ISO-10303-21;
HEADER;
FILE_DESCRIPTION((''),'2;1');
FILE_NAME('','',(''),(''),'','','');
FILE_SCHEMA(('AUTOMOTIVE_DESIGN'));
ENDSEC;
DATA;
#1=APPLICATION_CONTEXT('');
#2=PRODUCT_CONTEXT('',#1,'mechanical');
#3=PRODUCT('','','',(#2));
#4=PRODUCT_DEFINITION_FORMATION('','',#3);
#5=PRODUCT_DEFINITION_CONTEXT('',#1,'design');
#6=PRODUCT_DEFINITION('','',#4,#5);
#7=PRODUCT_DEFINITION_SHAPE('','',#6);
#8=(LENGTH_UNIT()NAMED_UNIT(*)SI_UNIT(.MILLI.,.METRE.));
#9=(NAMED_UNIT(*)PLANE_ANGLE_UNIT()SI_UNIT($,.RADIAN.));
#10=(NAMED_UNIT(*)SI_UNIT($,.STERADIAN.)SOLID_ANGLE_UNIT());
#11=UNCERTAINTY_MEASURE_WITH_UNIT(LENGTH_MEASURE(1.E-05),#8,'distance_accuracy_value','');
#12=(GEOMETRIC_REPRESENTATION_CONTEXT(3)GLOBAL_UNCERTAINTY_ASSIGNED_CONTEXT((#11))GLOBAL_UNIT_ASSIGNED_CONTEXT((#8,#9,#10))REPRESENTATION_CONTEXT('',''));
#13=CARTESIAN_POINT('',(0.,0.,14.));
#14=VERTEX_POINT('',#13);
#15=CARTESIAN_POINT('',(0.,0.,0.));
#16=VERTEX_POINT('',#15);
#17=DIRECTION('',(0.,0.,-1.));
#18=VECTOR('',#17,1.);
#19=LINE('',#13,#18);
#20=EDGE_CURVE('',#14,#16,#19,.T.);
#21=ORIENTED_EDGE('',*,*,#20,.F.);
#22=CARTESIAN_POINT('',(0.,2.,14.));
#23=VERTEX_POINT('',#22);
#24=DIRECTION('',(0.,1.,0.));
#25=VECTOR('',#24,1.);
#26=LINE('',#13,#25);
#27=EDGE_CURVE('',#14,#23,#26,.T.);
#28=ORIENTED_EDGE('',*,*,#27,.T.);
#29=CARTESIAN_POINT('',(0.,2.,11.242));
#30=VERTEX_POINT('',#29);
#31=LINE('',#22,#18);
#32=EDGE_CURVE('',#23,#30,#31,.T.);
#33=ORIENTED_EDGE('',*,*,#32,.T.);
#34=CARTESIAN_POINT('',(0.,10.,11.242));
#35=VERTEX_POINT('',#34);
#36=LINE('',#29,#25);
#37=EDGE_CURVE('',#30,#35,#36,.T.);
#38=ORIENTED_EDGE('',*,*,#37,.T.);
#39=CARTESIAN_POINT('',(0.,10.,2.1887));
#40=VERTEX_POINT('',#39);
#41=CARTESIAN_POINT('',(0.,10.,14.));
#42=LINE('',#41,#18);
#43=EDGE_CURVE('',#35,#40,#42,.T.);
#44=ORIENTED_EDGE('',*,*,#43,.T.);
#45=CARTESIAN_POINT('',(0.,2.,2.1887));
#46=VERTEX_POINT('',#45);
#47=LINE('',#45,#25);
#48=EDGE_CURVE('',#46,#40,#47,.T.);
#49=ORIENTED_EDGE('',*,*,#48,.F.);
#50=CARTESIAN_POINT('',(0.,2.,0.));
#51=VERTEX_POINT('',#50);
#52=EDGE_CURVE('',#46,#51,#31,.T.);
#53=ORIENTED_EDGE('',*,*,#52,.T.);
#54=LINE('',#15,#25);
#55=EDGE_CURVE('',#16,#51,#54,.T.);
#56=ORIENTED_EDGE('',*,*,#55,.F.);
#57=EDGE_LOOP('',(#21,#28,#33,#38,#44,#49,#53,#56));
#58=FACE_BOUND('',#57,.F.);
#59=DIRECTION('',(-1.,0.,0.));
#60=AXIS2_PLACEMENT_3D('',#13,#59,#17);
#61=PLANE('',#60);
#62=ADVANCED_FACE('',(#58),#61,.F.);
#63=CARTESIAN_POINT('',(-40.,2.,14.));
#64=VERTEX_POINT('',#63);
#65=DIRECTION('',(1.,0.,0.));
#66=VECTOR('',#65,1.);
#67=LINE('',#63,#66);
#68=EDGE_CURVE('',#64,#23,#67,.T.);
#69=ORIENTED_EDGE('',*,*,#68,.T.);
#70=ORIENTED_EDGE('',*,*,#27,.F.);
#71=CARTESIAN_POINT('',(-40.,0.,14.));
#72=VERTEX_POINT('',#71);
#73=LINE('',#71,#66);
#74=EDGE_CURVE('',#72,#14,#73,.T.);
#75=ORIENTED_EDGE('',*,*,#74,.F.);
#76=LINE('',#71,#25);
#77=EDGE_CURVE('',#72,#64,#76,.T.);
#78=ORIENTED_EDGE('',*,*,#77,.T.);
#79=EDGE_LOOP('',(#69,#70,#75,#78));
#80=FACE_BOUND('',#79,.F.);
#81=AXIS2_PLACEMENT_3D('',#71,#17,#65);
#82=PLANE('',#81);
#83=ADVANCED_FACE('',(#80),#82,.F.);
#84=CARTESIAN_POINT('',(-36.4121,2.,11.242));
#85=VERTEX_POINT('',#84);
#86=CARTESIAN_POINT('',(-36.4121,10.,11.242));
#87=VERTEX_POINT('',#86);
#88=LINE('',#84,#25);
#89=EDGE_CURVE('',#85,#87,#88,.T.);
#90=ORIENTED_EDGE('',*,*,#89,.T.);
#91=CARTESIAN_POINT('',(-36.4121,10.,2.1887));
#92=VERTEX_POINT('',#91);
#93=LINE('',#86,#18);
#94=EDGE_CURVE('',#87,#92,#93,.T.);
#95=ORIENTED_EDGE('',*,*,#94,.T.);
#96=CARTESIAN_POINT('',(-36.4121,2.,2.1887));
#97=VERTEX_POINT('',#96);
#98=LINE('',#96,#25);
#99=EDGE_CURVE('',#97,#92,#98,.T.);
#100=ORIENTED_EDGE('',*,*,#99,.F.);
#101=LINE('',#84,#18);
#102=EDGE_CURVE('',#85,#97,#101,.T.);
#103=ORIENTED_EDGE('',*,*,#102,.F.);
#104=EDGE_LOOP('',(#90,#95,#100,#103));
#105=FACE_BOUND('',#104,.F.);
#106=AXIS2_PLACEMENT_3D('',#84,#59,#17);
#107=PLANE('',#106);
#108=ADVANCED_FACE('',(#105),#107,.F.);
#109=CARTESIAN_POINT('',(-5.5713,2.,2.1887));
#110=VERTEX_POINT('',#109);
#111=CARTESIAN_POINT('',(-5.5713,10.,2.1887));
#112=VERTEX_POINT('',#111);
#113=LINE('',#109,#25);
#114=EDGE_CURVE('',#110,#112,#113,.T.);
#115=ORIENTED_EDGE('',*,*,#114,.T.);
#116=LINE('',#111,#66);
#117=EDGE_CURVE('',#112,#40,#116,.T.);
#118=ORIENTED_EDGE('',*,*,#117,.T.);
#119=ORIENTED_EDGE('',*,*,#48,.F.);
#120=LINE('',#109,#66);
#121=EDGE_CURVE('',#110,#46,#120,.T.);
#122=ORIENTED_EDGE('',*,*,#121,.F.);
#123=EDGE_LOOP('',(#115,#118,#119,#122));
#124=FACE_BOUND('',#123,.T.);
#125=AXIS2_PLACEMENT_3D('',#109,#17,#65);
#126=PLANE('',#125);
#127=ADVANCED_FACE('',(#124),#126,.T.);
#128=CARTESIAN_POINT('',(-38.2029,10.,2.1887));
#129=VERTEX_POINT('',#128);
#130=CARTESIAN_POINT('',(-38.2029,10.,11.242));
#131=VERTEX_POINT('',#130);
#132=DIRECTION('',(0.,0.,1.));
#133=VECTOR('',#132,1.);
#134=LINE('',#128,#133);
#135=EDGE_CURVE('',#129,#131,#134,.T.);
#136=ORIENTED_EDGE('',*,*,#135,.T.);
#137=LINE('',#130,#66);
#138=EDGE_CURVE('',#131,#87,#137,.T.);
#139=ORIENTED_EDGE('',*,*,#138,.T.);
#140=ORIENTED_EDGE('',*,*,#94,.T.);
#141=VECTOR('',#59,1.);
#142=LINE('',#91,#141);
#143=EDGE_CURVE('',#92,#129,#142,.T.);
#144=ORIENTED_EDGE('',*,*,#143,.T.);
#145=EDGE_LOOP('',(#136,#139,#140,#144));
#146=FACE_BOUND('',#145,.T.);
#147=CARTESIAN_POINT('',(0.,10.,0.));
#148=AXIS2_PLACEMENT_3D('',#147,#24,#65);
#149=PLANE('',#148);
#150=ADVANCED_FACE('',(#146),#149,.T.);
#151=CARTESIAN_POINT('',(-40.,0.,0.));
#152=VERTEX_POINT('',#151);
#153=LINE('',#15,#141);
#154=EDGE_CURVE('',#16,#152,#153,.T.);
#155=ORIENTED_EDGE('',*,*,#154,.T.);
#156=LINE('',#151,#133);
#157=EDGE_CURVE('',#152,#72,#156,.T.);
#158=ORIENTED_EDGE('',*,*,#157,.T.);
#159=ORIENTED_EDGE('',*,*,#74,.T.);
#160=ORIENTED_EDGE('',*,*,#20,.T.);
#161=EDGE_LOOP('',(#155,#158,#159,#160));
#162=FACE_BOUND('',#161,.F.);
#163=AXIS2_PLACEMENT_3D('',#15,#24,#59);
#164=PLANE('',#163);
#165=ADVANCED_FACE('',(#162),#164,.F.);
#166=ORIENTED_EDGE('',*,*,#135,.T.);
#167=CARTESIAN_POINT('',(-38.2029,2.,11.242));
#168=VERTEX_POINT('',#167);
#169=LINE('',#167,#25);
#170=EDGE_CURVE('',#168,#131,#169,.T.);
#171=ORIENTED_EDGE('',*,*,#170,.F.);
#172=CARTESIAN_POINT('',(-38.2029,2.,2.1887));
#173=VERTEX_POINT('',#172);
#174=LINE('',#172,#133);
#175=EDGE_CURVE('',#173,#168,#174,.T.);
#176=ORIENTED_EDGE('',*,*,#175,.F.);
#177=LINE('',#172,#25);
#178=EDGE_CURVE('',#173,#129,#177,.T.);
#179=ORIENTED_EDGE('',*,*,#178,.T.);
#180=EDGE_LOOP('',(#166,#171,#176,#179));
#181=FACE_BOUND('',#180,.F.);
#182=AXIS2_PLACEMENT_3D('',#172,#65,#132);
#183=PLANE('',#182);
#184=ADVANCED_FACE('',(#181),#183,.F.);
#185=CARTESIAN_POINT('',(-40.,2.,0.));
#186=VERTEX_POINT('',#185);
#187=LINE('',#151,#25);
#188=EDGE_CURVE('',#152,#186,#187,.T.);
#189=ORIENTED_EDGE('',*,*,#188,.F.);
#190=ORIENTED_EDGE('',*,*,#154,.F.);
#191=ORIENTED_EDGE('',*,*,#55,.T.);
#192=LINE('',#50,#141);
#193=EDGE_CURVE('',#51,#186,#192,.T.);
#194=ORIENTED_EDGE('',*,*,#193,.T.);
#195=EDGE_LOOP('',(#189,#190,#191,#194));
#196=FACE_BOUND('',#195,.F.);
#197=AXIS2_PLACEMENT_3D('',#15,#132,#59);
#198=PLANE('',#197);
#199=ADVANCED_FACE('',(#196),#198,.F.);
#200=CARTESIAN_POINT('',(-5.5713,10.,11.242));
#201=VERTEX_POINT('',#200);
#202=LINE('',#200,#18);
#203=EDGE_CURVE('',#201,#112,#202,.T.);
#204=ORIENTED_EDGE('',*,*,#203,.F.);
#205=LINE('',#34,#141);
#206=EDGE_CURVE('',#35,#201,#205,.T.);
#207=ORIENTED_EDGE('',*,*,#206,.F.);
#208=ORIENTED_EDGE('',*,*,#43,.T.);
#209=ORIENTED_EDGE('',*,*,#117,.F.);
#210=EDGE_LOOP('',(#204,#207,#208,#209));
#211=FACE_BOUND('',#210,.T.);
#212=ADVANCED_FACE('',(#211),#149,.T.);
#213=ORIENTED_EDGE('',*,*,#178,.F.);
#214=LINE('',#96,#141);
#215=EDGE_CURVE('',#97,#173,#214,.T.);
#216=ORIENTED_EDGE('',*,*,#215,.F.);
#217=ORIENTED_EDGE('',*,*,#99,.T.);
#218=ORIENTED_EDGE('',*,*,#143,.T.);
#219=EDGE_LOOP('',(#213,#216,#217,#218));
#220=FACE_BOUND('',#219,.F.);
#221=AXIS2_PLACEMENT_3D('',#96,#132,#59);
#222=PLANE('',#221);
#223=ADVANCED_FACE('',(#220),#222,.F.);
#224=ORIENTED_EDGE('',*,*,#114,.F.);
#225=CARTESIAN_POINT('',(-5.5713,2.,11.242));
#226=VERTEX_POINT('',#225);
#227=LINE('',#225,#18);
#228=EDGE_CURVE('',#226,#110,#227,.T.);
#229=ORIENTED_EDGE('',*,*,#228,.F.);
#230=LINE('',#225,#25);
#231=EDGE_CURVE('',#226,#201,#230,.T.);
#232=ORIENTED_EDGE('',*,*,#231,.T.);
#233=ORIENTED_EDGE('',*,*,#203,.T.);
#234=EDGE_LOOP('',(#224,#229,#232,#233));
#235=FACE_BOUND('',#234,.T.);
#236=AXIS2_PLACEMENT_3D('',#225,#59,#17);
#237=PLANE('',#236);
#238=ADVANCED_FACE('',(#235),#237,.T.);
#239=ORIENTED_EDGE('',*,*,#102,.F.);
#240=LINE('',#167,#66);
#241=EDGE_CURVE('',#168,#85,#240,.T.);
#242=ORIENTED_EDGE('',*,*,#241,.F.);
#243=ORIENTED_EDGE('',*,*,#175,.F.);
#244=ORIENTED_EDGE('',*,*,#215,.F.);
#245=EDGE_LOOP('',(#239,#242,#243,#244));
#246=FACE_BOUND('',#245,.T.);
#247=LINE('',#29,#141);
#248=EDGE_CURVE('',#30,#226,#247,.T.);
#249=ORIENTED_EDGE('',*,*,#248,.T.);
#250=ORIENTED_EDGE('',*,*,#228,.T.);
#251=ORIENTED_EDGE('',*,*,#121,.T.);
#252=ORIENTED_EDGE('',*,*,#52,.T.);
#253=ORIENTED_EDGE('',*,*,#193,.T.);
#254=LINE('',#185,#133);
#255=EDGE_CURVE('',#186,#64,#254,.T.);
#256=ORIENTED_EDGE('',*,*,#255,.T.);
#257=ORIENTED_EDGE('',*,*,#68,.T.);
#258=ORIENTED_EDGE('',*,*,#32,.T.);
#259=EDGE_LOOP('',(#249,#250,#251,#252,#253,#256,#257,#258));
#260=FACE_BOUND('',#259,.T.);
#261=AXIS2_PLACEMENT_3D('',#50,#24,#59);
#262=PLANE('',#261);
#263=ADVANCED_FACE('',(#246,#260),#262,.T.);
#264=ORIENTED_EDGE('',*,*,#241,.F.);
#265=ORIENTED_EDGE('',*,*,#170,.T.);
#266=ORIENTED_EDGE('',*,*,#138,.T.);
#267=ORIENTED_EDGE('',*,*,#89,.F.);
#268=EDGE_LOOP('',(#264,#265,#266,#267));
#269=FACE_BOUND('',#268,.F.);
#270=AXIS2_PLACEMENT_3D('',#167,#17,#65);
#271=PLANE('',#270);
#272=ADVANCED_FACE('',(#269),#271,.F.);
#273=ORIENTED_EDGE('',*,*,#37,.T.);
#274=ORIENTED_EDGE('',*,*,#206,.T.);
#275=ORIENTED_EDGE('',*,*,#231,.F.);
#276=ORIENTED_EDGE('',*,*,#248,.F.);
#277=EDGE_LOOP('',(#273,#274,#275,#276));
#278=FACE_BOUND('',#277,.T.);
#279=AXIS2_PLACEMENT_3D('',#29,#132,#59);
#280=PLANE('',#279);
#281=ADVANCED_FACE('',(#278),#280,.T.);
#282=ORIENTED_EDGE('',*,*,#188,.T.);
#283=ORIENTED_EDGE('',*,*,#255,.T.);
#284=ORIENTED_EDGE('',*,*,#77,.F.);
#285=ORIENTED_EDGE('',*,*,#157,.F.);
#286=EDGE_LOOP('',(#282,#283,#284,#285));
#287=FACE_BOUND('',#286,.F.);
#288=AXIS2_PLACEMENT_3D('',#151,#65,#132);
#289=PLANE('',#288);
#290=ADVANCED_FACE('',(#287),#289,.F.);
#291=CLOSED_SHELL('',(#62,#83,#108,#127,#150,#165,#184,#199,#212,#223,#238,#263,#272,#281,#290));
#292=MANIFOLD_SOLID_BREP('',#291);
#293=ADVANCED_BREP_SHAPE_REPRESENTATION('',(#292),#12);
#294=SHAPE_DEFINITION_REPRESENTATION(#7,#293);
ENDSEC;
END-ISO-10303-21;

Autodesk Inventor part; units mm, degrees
ref_plane "YZ Plane" through (0, 0, 0) normal (1, 0, 0) x (0, 1, 0)
ref_plane "XZ Plane" through (0, 0, 0) normal (0, 1, 0) x (-1, 0, 0)
ref_plane "XY Plane" through (0, 0, 0) normal (0, 0, 1) x (1, 0, 0)
sketch "Sketch1" plane through (0, 0, 0) normal (0, 1, 0) x (-1, 0, 0)
  line L0 (0, 0) -> (40, 0)
  line L1 (40, 0) -> (40, 14)
  line L2 (40, 14) -> (0, 14)
  line L3 (0, 14) -> (0, 0)
  dimension "d0" = 40
  dimension "d1" = 14
extrude "Extrusion1" add sketch "Sketch1" along normal blind 2
sketch "Sketch2" plane through (0, 2, 0) normal (0, 1, 0) x (1, 0, 0)
  line L0 (0, -14) -> (0, 0) projected
  line L1 (0, -11.242) -> (-5.5713, -11.242)
  line L2 (-5.5713, -11.242) -> (-5.5713, -2.1887)
  line L3 (-5.5713, -2.1887) -> (0, -2.1887)
  line L4 (0, -2.1887) -> (0, -11.242)
  line L5 (-38.2029, -11.242) -> (-36.4121, -11.242)
  line L6 (-36.4121, -11.242) -> (-36.4121, -2.1887)
  line L7 (-36.4121, -2.1887) -> (-38.2029, -2.1887)
  line L8 (-38.2029, -2.1887) -> (-38.2029, -11.242)
extrude "Extrusion2" add sketch "Sketch2" along normal blind 8
properties part number "00_LM286"
